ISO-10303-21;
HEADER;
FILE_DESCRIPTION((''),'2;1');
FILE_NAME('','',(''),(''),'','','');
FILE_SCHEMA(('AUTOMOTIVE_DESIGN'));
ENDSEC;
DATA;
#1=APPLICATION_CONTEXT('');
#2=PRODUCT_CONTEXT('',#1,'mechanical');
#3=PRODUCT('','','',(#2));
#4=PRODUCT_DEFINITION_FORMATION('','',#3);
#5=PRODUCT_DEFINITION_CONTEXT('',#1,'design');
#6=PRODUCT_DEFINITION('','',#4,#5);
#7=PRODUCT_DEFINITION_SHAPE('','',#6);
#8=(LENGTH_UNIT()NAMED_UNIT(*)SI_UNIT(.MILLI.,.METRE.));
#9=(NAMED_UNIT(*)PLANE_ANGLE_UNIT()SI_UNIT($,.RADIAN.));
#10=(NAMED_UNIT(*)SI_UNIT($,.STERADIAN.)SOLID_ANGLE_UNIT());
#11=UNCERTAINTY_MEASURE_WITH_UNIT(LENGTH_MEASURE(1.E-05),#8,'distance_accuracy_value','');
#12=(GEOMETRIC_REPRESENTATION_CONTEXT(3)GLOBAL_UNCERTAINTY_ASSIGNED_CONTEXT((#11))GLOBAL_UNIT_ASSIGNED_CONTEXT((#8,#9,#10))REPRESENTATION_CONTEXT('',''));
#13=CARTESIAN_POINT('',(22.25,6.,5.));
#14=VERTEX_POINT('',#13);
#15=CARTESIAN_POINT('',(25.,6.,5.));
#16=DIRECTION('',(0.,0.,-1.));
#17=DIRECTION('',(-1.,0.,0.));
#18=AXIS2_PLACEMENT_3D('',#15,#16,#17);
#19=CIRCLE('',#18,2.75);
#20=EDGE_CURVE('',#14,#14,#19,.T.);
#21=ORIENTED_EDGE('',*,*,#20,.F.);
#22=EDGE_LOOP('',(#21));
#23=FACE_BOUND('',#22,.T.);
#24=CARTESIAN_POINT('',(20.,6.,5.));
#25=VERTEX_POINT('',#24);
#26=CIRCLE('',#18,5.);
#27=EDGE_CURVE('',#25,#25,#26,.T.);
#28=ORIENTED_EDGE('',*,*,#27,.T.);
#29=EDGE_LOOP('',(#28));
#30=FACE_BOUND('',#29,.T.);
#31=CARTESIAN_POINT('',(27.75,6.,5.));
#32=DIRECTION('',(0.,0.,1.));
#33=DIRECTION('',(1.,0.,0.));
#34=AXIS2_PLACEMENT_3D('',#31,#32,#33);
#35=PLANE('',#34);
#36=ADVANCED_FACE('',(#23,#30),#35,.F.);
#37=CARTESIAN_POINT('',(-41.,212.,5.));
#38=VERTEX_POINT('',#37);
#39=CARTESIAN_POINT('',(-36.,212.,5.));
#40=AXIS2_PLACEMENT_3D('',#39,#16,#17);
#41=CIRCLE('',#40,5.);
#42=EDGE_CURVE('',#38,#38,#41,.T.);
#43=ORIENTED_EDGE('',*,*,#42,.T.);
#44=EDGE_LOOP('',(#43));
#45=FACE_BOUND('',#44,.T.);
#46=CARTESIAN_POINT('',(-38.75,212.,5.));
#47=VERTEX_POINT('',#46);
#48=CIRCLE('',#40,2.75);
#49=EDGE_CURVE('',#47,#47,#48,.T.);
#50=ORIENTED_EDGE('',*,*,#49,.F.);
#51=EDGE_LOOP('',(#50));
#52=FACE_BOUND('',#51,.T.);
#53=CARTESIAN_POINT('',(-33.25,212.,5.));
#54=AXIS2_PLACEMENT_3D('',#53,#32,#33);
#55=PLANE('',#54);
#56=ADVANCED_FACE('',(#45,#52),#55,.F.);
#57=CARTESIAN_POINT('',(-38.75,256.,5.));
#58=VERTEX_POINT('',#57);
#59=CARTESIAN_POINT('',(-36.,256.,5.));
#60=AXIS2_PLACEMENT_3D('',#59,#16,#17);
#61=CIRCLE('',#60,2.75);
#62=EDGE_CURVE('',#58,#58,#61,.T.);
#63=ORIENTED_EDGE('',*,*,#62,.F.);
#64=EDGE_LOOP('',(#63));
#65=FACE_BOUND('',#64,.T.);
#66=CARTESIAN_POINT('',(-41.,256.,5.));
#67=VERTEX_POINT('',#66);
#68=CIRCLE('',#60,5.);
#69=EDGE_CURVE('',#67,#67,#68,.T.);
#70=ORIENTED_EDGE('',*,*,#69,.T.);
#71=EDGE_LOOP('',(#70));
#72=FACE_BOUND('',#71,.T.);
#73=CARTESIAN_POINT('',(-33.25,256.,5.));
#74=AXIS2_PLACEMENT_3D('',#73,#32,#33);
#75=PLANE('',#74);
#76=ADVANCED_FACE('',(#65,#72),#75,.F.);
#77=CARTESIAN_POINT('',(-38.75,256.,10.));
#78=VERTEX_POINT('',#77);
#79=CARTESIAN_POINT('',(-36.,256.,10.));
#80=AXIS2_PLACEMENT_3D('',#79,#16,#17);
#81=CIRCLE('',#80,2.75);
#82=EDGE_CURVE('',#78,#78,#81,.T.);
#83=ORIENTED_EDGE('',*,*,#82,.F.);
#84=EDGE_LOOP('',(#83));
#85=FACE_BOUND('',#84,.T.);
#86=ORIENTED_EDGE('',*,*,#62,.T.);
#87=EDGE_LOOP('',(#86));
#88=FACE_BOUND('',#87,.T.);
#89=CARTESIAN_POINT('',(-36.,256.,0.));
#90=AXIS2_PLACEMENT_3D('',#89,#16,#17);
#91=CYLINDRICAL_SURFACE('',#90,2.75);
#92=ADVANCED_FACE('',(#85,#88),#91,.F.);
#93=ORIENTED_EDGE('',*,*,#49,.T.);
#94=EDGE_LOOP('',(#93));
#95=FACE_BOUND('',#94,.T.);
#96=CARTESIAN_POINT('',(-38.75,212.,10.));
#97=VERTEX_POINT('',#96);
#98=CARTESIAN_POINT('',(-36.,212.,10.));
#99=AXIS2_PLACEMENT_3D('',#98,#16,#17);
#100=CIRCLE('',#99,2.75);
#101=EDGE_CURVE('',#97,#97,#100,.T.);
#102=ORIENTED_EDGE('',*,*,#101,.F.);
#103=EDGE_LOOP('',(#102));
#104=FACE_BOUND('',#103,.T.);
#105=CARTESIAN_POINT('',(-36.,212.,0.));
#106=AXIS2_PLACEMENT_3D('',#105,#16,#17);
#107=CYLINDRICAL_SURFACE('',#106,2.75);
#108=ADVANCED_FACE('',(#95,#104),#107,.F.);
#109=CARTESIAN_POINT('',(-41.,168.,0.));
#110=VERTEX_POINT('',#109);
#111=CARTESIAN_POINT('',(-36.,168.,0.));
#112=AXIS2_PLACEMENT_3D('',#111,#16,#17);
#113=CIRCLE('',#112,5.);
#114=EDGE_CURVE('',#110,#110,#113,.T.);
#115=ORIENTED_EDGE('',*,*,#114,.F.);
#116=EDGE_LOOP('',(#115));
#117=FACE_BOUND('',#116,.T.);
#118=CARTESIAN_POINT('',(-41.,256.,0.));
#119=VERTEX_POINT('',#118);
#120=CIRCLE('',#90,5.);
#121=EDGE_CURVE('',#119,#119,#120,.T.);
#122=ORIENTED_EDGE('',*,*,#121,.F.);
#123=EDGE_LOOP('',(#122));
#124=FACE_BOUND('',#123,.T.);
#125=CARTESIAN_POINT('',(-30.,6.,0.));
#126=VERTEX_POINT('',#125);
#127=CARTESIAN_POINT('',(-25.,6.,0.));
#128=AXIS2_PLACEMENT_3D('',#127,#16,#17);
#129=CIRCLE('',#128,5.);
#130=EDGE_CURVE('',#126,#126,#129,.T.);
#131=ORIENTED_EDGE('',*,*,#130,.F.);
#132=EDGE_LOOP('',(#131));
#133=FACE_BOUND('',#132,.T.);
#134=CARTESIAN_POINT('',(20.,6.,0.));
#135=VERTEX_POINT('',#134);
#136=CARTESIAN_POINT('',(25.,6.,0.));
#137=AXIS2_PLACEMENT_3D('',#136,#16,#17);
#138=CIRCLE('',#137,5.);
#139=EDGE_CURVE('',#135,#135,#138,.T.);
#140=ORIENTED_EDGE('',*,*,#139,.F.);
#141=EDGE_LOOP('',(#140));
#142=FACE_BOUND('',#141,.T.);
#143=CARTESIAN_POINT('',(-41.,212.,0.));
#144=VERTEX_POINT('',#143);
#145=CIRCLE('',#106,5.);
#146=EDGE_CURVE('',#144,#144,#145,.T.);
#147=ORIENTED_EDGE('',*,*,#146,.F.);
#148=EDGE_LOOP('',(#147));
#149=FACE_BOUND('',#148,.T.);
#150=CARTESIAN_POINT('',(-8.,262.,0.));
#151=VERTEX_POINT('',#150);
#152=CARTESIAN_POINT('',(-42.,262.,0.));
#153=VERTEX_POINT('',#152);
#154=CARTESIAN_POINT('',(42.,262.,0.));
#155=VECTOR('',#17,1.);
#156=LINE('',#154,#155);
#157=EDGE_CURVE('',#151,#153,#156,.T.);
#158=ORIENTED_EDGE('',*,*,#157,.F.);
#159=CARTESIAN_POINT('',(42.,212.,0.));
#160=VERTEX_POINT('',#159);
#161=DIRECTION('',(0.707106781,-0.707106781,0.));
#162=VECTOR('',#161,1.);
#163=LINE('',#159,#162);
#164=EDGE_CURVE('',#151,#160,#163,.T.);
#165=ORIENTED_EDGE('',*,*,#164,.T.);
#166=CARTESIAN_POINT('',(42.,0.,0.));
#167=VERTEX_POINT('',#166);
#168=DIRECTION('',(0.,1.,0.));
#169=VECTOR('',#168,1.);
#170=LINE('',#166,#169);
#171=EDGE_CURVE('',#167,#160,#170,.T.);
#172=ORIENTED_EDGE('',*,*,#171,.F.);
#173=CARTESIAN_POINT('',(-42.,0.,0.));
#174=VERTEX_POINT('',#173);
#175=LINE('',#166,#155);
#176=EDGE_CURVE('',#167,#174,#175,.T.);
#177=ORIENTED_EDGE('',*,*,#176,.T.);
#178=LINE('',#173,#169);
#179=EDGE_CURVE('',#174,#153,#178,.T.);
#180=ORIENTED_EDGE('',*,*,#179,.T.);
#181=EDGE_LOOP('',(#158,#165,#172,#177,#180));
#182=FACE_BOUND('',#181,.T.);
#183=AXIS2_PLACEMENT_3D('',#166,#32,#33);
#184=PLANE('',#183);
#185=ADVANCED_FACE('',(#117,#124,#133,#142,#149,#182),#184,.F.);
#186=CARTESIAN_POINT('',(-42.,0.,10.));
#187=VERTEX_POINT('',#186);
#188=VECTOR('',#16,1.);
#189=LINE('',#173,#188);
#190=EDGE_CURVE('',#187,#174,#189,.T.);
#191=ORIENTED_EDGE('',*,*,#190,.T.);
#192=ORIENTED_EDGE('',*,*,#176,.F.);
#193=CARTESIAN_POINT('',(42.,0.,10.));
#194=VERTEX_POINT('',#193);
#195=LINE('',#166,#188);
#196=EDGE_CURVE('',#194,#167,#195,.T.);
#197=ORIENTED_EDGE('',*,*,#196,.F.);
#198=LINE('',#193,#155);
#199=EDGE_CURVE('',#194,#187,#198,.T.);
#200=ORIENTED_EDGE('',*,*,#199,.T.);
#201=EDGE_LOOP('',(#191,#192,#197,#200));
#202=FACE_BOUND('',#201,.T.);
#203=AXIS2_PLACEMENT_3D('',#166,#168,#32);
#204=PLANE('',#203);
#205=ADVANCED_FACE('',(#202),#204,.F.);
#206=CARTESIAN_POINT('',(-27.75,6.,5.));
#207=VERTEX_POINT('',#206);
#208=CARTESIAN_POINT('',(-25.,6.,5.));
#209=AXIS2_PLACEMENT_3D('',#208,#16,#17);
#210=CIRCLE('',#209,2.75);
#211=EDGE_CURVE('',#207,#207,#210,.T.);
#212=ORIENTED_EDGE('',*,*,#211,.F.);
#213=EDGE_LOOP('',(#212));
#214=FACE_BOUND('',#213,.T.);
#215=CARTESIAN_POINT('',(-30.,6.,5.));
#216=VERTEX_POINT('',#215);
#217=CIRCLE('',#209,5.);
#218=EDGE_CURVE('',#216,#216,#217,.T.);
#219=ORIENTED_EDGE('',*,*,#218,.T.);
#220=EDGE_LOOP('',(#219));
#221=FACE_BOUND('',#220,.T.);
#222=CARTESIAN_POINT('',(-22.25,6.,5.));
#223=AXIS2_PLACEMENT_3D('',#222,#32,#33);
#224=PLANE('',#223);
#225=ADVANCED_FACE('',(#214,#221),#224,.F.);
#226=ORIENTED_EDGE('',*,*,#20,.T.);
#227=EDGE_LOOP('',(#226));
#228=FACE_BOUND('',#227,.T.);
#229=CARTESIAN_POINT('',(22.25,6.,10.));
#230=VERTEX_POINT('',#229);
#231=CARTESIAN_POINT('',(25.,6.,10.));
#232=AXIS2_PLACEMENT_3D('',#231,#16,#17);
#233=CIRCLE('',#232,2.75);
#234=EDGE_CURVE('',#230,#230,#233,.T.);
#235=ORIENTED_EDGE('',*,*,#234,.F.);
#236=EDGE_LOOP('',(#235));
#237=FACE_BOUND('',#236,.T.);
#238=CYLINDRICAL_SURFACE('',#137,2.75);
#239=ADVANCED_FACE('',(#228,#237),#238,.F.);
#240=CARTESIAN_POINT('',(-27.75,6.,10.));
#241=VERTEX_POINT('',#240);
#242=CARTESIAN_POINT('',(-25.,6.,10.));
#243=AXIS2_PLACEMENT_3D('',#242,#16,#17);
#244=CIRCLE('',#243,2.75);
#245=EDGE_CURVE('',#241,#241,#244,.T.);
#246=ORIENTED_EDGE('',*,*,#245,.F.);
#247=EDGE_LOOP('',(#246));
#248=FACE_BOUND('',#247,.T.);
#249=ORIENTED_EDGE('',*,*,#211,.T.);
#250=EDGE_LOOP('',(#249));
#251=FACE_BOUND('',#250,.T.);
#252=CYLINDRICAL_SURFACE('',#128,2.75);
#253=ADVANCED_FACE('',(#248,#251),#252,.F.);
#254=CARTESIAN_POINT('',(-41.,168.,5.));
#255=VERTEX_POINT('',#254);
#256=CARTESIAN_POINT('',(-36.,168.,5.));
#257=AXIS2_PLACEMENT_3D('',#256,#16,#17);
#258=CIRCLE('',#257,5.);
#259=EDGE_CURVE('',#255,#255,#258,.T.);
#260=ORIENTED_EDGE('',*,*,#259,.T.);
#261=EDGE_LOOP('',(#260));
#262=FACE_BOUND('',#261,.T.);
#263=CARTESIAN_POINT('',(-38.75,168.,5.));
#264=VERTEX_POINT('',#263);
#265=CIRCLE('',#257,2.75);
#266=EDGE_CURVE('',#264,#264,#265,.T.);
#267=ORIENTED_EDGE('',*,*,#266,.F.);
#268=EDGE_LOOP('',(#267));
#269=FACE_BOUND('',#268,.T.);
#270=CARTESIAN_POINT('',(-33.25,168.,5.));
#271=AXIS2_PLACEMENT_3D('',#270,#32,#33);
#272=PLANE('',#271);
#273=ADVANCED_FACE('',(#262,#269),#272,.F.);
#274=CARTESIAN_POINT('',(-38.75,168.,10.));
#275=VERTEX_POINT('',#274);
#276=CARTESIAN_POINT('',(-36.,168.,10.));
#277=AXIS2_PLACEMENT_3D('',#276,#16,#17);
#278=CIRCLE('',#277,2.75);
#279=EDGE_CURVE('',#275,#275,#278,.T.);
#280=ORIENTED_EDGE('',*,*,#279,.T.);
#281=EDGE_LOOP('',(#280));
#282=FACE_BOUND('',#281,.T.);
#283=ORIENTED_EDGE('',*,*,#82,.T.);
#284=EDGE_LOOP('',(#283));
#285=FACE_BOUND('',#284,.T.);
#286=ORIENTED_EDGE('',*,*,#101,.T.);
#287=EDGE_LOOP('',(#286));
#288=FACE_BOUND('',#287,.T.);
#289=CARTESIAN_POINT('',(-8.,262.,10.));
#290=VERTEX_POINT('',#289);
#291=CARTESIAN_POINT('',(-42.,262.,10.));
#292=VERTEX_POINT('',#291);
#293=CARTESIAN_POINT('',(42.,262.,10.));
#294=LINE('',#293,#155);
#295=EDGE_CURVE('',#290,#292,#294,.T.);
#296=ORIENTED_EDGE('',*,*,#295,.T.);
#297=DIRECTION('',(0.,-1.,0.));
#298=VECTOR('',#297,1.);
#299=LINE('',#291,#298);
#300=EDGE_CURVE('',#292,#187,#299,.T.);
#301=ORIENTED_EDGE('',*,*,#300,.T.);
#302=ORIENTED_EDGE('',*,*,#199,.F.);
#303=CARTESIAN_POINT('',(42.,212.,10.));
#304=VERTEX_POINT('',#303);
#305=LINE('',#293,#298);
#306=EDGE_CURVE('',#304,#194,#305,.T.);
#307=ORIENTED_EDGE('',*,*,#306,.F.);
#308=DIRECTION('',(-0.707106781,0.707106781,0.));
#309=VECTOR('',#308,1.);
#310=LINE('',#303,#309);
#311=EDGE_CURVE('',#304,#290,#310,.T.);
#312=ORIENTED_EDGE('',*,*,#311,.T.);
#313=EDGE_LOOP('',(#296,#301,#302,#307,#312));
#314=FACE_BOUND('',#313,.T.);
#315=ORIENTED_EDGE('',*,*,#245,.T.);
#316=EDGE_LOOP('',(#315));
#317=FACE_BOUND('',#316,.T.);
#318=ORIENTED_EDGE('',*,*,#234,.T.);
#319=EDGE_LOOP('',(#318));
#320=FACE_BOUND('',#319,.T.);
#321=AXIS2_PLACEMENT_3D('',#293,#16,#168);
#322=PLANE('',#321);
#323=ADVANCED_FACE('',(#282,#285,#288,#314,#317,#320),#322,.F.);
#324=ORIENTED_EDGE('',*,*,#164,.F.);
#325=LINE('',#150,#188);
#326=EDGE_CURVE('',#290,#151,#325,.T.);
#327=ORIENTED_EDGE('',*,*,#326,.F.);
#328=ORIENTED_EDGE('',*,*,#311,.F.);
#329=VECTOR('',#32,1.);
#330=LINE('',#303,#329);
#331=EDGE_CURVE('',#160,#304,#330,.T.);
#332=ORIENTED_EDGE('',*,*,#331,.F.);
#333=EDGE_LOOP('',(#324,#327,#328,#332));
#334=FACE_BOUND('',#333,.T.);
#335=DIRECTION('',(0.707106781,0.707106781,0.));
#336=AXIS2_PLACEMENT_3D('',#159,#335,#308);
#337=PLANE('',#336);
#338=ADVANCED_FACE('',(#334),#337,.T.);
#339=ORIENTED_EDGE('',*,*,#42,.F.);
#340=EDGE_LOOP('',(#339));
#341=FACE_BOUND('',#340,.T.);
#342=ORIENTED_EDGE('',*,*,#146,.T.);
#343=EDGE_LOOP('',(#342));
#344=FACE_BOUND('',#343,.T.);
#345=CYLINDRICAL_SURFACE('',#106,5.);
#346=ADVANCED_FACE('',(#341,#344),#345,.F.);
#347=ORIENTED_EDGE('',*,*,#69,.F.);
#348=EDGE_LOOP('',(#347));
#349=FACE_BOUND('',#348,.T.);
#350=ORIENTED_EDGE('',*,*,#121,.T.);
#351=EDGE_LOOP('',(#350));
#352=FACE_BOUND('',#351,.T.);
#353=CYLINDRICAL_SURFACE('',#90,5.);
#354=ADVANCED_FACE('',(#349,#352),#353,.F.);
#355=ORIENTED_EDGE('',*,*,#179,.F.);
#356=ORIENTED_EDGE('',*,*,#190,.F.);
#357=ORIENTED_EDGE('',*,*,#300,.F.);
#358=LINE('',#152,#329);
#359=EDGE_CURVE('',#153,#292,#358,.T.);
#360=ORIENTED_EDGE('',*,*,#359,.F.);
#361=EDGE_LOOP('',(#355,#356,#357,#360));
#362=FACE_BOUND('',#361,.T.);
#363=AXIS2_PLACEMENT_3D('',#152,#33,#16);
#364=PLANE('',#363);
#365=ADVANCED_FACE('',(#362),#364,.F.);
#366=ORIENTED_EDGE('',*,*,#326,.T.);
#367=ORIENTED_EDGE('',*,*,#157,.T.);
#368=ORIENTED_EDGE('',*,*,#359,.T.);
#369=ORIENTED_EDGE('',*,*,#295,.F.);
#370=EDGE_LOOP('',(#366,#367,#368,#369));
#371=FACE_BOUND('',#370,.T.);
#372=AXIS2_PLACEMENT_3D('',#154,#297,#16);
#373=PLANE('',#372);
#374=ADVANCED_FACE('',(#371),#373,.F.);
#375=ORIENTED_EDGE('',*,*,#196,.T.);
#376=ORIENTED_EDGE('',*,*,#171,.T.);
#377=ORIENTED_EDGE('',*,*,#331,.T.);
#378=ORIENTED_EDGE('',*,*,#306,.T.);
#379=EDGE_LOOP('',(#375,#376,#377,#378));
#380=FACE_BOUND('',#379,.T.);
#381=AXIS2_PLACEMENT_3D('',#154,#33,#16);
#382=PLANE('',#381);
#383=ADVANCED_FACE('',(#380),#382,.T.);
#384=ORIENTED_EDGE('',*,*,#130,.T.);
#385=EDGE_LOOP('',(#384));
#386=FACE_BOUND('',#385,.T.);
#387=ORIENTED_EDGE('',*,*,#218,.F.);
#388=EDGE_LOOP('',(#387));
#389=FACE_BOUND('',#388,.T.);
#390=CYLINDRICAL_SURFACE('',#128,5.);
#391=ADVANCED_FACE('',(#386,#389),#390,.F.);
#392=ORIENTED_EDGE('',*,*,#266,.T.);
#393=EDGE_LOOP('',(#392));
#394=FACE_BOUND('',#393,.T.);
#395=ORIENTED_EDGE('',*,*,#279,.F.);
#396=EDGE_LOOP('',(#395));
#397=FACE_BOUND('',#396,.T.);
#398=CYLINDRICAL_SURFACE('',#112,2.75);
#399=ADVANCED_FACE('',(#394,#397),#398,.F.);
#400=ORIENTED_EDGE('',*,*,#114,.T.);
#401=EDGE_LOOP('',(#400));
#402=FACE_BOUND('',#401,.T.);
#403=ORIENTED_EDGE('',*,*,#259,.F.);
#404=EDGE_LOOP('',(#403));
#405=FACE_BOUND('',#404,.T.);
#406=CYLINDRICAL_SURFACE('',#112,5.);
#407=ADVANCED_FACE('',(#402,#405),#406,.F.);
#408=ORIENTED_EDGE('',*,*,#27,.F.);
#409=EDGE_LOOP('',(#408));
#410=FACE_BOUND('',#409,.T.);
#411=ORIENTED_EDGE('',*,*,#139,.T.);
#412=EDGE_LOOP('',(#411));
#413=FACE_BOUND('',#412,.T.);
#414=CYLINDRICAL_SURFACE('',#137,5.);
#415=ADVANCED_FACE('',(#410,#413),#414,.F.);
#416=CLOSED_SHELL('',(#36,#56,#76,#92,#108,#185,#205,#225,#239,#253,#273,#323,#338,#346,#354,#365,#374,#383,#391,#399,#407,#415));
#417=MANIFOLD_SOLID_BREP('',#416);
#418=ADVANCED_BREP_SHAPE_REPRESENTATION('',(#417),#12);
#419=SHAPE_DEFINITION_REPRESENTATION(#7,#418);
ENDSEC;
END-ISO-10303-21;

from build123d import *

# Parameters (mm, degrees)
SKETCH1_W                                       = 10
SKETCH1_H                                       = 262
BOSS_EXTRUDE1_DEPTH                             = 42
CBORE_FOR_M5_SOCKET_HEAD_CAP_SCREW1_D           = 5.5
CBORE_FOR_M5_SOCKET_HEAD_CAP_SCREW1_CBORE_D     = 10
CBORE_FOR_M5_SOCKET_HEAD_CAP_SCREW1_CBORE_DEPTH = 5
CBORE_FOR_M5_SOCKET_HEAD_CAP_SCREW2_D           = 5.5
CBORE_FOR_M5_SOCKET_HEAD_CAP_SCREW2_CBORE_D     = 10
CBORE_FOR_M5_SOCKET_HEAD_CAP_SCREW2_CBORE_DEPTH = 5
CHAMFER1_SIZE                                   = 50


with BuildPart() as part:
    # Sketch1 → Boss-Extrude1 (new, symmetric)
    with BuildSketch(Plane(origin=(0, 0, 0), x_dir=(0, 0, -1), z_dir=(1, 0, 0))):
        with Locations((-5, 131)):
            Rectangle(SKETCH1_W, SKETCH1_H)
    extrude(amount=BOSS_EXTRUDE1_DEPTH, both=True)

    # CBORE for M5 Socket Head Cap Screw1 (through all)
    with Locations(Plane(origin=(0, 0, 0), x_dir=(-1, 0, 0), z_dir=(0, 0, -1))):
        with Locations((36, 256), (36, 212), (36, 168)):
            CounterBoreHole(CBORE_FOR_M5_SOCKET_HEAD_CAP_SCREW1_D / 2, CBORE_FOR_M5_SOCKET_HEAD_CAP_SCREW1_CBORE_D / 2, CBORE_FOR_M5_SOCKET_HEAD_CAP_SCREW1_CBORE_DEPTH)

    # CBORE for M5 Socket Head Cap Screw2 (through all)
    with Locations(Plane(origin=(0, 0, 0), x_dir=(-1, 0, 0), z_dir=(0, 0, -1))):
        with Locations((-25, 6), (25, 6)):
            CounterBoreHole(CBORE_FOR_M5_SOCKET_HEAD_CAP_SCREW2_D / 2, CBORE_FOR_M5_SOCKET_HEAD_CAP_SCREW2_CBORE_D / 2, CBORE_FOR_M5_SOCKET_HEAD_CAP_SCREW2_CBORE_DEPTH)

    # Chamfer1
    chamfer1_edges = [part.edges().sort_by_distance(p)[0] for p in [
        (42, 262, 5),
    ]]
    chamfer(chamfer1_edges, length=CHAMFER1_SIZE)


solid = part.part
